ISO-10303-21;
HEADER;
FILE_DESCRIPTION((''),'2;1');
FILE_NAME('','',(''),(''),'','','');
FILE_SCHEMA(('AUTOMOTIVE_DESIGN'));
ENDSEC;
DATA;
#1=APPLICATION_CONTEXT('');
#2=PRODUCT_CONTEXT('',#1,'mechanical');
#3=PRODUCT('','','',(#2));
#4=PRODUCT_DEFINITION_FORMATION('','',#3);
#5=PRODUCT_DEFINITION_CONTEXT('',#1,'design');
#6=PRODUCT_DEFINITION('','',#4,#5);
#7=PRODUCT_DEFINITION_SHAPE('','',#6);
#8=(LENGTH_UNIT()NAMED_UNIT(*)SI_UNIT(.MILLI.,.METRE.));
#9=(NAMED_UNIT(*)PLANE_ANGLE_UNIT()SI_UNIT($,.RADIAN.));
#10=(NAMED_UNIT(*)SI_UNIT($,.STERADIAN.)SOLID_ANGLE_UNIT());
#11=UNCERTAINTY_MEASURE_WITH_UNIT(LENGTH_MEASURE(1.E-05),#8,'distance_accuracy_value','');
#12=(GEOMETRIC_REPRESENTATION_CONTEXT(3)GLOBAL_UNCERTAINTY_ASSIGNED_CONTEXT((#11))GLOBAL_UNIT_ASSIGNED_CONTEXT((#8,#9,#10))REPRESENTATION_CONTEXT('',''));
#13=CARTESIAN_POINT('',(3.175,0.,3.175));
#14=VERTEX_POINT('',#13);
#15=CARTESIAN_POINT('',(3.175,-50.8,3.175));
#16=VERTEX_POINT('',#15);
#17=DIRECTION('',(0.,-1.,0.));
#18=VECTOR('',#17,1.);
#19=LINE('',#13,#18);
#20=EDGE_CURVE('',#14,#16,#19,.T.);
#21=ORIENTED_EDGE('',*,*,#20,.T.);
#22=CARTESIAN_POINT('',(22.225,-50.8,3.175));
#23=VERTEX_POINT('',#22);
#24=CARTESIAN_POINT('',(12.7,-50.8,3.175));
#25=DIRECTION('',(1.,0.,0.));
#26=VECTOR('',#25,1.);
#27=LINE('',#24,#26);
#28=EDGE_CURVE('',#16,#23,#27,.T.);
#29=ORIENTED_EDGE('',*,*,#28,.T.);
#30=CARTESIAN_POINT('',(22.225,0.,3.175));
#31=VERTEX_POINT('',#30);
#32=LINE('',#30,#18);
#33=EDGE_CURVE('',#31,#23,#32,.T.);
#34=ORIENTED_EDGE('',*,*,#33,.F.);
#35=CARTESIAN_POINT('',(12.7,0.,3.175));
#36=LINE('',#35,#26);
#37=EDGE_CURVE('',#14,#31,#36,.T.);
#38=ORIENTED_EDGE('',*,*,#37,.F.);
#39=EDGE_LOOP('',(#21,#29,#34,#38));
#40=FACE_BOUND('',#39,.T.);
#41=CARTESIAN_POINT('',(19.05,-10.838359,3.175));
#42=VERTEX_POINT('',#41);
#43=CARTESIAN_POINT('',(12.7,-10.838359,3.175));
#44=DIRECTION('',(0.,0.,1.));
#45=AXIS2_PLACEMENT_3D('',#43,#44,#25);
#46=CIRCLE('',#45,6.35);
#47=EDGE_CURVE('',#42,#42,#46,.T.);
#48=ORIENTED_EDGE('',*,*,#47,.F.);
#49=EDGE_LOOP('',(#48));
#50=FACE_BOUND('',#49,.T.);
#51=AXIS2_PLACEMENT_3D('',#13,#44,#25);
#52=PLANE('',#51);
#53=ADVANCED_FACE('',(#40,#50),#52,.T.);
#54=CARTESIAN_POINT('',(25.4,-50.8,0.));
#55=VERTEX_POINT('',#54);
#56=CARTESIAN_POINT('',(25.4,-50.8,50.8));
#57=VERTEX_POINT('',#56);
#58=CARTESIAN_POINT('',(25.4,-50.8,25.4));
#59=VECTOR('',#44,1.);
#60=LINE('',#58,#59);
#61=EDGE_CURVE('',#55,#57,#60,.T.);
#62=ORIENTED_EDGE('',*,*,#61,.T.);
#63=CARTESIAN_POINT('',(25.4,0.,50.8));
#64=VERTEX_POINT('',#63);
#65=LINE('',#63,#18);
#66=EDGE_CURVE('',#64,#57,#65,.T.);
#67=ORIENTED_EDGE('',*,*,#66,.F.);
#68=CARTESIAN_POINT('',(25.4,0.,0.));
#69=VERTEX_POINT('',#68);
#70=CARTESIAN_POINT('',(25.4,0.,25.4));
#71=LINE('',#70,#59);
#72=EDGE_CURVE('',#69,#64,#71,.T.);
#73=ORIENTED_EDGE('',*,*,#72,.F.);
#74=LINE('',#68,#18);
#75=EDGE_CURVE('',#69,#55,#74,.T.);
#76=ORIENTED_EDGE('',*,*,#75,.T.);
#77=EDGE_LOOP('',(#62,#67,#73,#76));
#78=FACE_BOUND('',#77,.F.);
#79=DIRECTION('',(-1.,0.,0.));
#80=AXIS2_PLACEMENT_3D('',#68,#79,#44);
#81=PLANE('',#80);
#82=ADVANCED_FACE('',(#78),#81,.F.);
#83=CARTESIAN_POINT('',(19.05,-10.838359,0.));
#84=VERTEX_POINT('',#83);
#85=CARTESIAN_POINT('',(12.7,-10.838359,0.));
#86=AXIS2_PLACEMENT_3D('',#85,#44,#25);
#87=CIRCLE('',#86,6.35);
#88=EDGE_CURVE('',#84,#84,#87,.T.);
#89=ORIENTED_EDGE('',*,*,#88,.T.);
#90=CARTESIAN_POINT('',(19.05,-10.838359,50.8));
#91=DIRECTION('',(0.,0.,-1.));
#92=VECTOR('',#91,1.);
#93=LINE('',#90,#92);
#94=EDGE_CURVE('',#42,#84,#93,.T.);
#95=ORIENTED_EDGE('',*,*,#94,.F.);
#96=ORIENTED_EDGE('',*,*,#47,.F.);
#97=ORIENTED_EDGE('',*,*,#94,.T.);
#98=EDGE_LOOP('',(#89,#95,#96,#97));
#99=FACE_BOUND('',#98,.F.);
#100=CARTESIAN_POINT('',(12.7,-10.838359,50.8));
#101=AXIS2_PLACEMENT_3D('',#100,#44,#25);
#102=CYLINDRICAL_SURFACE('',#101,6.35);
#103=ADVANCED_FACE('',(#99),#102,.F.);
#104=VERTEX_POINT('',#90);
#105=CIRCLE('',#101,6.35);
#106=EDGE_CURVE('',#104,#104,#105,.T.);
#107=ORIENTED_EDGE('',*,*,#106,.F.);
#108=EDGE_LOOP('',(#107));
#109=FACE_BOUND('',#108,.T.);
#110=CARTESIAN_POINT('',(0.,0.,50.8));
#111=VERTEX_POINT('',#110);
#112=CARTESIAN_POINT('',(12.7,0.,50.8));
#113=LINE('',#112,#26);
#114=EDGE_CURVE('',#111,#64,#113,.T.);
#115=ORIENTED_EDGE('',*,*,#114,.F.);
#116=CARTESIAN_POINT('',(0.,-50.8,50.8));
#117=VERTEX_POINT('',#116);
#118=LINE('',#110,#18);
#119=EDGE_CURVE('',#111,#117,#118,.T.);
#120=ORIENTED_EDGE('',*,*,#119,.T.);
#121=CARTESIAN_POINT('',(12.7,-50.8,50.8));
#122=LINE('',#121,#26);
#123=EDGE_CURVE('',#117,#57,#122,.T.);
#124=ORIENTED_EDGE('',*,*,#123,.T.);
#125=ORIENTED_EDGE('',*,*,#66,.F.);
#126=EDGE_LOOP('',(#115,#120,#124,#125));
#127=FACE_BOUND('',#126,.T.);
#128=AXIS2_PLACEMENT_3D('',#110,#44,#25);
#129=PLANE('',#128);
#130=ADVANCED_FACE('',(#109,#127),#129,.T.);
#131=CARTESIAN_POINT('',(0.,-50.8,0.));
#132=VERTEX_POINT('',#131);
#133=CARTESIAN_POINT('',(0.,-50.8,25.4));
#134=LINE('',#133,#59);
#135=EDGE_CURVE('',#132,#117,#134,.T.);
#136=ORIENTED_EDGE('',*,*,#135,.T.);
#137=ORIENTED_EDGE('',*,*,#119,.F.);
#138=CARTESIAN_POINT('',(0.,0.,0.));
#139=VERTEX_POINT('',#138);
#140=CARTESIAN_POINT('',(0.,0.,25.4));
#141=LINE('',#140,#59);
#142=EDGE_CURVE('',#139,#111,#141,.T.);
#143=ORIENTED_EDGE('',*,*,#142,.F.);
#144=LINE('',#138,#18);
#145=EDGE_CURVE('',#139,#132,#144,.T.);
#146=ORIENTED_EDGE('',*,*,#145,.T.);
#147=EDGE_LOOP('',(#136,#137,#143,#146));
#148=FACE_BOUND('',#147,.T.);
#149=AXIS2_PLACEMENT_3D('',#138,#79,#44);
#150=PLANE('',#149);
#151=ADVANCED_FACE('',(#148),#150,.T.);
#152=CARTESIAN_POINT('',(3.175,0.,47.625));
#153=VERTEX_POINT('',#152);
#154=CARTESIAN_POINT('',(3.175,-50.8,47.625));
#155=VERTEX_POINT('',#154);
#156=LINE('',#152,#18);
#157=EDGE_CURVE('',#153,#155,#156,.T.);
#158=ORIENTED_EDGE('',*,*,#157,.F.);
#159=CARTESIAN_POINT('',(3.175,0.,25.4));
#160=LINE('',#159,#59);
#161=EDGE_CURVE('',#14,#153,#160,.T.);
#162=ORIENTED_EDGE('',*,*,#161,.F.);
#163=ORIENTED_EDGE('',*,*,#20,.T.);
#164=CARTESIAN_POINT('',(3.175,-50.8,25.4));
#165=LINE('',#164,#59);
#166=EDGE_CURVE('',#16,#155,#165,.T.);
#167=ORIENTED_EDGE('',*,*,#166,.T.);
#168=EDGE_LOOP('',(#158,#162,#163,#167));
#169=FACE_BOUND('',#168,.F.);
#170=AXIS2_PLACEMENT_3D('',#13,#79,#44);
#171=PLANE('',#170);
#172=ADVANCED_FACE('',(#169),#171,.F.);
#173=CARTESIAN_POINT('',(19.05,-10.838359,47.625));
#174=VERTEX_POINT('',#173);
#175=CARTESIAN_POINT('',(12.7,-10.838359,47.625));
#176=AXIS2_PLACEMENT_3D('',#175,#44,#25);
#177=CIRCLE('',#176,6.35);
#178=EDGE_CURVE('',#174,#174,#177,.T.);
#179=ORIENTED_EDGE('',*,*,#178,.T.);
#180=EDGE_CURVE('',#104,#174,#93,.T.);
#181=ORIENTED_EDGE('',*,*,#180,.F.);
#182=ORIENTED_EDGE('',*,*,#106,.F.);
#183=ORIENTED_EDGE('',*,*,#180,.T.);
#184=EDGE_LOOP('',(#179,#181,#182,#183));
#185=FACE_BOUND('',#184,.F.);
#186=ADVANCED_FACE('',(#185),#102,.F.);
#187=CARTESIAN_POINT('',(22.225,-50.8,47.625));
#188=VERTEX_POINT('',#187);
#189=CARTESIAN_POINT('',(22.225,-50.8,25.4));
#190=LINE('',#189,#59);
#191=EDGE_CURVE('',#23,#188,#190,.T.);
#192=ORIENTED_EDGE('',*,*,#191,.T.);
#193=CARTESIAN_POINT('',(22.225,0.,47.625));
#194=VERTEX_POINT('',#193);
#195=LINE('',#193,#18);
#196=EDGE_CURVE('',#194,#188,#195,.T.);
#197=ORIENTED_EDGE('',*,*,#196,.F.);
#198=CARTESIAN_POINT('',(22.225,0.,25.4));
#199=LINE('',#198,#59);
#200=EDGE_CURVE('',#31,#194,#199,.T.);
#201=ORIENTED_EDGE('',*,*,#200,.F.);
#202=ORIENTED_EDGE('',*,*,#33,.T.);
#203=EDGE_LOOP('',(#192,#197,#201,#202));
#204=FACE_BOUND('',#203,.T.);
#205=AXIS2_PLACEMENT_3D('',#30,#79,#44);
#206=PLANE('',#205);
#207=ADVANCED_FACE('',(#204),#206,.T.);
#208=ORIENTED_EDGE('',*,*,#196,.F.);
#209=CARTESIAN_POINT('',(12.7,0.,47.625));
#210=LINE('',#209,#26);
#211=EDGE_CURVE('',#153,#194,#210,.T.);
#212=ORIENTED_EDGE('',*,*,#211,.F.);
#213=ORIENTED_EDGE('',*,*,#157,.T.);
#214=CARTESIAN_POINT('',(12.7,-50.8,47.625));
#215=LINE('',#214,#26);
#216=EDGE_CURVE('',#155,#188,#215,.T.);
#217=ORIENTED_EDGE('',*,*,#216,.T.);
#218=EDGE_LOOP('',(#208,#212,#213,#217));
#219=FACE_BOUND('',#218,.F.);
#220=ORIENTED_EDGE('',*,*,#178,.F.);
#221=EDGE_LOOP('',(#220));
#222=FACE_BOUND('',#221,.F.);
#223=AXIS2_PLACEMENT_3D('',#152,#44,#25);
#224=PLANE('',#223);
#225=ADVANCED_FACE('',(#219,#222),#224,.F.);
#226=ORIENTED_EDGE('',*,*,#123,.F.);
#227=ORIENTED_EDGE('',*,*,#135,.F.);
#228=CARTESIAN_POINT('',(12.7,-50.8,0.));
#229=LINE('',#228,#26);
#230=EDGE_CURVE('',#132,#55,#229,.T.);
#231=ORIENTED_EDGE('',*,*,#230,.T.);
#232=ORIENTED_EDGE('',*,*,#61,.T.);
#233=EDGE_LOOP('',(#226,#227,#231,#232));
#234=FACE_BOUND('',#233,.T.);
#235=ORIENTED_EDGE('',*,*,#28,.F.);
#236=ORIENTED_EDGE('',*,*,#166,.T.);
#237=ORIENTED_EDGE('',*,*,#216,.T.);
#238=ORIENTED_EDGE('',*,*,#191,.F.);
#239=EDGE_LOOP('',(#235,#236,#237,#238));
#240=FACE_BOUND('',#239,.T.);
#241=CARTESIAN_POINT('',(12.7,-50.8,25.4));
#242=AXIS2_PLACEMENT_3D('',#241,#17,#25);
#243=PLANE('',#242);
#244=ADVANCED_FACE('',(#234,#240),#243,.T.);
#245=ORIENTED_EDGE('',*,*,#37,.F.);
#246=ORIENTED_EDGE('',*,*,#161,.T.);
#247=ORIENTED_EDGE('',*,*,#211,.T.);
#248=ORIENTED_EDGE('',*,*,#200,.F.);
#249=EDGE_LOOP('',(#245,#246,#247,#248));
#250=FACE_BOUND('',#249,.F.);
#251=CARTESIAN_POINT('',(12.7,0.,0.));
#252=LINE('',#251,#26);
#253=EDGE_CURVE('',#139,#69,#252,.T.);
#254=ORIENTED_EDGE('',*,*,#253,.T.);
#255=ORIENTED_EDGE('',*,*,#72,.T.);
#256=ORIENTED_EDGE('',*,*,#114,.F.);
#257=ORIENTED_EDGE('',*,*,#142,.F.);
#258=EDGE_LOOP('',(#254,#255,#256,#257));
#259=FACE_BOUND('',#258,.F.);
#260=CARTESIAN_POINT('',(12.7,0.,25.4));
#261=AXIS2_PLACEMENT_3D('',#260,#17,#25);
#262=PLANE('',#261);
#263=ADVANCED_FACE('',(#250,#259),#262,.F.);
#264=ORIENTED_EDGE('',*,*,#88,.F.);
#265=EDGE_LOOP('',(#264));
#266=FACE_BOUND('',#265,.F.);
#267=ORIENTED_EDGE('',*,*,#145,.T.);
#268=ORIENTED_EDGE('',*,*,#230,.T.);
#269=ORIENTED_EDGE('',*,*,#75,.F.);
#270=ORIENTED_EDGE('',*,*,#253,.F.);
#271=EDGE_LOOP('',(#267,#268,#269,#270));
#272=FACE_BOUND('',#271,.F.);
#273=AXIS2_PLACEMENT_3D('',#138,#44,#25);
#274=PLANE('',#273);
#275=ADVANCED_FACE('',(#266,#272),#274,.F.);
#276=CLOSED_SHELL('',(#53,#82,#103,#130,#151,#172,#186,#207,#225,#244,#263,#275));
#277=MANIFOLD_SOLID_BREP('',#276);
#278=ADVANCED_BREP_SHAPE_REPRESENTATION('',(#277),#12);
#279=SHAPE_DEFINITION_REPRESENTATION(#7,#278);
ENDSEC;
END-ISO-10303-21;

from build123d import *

# Parameters (mm, degrees)
F0_W     = 25.4
F0_H     = 50.8
F0_W_2   = 19.05
F0_H_2   = 44.45
F1_DEPTH = 50.8
F2_R     = 6.35
F3_DEPTH = 50.8


with BuildPart() as f1:
    # F0 (on Front) → F1 (new body)
    with BuildSketch(Plane.XZ):
        with Locations((12.7, 25.4)):
            Rectangle(F0_W, F0_H)
        with Locations((12.7, 25.4)):
            Rectangle(F0_W_2, F0_H_2, mode=Mode.SUBTRACT)
    extrude(amount=F1_DEPTH)

    # F2 (on face) → F3 (cut)
    with BuildSketch(Plane.XY.offset(50.8)):
        with Locations((12.7, -10.838359)):
            Circle(F2_R)
    extrude(amount=-F3_DEPTH, mode=Mode.SUBTRACT)


solid = f1.part
